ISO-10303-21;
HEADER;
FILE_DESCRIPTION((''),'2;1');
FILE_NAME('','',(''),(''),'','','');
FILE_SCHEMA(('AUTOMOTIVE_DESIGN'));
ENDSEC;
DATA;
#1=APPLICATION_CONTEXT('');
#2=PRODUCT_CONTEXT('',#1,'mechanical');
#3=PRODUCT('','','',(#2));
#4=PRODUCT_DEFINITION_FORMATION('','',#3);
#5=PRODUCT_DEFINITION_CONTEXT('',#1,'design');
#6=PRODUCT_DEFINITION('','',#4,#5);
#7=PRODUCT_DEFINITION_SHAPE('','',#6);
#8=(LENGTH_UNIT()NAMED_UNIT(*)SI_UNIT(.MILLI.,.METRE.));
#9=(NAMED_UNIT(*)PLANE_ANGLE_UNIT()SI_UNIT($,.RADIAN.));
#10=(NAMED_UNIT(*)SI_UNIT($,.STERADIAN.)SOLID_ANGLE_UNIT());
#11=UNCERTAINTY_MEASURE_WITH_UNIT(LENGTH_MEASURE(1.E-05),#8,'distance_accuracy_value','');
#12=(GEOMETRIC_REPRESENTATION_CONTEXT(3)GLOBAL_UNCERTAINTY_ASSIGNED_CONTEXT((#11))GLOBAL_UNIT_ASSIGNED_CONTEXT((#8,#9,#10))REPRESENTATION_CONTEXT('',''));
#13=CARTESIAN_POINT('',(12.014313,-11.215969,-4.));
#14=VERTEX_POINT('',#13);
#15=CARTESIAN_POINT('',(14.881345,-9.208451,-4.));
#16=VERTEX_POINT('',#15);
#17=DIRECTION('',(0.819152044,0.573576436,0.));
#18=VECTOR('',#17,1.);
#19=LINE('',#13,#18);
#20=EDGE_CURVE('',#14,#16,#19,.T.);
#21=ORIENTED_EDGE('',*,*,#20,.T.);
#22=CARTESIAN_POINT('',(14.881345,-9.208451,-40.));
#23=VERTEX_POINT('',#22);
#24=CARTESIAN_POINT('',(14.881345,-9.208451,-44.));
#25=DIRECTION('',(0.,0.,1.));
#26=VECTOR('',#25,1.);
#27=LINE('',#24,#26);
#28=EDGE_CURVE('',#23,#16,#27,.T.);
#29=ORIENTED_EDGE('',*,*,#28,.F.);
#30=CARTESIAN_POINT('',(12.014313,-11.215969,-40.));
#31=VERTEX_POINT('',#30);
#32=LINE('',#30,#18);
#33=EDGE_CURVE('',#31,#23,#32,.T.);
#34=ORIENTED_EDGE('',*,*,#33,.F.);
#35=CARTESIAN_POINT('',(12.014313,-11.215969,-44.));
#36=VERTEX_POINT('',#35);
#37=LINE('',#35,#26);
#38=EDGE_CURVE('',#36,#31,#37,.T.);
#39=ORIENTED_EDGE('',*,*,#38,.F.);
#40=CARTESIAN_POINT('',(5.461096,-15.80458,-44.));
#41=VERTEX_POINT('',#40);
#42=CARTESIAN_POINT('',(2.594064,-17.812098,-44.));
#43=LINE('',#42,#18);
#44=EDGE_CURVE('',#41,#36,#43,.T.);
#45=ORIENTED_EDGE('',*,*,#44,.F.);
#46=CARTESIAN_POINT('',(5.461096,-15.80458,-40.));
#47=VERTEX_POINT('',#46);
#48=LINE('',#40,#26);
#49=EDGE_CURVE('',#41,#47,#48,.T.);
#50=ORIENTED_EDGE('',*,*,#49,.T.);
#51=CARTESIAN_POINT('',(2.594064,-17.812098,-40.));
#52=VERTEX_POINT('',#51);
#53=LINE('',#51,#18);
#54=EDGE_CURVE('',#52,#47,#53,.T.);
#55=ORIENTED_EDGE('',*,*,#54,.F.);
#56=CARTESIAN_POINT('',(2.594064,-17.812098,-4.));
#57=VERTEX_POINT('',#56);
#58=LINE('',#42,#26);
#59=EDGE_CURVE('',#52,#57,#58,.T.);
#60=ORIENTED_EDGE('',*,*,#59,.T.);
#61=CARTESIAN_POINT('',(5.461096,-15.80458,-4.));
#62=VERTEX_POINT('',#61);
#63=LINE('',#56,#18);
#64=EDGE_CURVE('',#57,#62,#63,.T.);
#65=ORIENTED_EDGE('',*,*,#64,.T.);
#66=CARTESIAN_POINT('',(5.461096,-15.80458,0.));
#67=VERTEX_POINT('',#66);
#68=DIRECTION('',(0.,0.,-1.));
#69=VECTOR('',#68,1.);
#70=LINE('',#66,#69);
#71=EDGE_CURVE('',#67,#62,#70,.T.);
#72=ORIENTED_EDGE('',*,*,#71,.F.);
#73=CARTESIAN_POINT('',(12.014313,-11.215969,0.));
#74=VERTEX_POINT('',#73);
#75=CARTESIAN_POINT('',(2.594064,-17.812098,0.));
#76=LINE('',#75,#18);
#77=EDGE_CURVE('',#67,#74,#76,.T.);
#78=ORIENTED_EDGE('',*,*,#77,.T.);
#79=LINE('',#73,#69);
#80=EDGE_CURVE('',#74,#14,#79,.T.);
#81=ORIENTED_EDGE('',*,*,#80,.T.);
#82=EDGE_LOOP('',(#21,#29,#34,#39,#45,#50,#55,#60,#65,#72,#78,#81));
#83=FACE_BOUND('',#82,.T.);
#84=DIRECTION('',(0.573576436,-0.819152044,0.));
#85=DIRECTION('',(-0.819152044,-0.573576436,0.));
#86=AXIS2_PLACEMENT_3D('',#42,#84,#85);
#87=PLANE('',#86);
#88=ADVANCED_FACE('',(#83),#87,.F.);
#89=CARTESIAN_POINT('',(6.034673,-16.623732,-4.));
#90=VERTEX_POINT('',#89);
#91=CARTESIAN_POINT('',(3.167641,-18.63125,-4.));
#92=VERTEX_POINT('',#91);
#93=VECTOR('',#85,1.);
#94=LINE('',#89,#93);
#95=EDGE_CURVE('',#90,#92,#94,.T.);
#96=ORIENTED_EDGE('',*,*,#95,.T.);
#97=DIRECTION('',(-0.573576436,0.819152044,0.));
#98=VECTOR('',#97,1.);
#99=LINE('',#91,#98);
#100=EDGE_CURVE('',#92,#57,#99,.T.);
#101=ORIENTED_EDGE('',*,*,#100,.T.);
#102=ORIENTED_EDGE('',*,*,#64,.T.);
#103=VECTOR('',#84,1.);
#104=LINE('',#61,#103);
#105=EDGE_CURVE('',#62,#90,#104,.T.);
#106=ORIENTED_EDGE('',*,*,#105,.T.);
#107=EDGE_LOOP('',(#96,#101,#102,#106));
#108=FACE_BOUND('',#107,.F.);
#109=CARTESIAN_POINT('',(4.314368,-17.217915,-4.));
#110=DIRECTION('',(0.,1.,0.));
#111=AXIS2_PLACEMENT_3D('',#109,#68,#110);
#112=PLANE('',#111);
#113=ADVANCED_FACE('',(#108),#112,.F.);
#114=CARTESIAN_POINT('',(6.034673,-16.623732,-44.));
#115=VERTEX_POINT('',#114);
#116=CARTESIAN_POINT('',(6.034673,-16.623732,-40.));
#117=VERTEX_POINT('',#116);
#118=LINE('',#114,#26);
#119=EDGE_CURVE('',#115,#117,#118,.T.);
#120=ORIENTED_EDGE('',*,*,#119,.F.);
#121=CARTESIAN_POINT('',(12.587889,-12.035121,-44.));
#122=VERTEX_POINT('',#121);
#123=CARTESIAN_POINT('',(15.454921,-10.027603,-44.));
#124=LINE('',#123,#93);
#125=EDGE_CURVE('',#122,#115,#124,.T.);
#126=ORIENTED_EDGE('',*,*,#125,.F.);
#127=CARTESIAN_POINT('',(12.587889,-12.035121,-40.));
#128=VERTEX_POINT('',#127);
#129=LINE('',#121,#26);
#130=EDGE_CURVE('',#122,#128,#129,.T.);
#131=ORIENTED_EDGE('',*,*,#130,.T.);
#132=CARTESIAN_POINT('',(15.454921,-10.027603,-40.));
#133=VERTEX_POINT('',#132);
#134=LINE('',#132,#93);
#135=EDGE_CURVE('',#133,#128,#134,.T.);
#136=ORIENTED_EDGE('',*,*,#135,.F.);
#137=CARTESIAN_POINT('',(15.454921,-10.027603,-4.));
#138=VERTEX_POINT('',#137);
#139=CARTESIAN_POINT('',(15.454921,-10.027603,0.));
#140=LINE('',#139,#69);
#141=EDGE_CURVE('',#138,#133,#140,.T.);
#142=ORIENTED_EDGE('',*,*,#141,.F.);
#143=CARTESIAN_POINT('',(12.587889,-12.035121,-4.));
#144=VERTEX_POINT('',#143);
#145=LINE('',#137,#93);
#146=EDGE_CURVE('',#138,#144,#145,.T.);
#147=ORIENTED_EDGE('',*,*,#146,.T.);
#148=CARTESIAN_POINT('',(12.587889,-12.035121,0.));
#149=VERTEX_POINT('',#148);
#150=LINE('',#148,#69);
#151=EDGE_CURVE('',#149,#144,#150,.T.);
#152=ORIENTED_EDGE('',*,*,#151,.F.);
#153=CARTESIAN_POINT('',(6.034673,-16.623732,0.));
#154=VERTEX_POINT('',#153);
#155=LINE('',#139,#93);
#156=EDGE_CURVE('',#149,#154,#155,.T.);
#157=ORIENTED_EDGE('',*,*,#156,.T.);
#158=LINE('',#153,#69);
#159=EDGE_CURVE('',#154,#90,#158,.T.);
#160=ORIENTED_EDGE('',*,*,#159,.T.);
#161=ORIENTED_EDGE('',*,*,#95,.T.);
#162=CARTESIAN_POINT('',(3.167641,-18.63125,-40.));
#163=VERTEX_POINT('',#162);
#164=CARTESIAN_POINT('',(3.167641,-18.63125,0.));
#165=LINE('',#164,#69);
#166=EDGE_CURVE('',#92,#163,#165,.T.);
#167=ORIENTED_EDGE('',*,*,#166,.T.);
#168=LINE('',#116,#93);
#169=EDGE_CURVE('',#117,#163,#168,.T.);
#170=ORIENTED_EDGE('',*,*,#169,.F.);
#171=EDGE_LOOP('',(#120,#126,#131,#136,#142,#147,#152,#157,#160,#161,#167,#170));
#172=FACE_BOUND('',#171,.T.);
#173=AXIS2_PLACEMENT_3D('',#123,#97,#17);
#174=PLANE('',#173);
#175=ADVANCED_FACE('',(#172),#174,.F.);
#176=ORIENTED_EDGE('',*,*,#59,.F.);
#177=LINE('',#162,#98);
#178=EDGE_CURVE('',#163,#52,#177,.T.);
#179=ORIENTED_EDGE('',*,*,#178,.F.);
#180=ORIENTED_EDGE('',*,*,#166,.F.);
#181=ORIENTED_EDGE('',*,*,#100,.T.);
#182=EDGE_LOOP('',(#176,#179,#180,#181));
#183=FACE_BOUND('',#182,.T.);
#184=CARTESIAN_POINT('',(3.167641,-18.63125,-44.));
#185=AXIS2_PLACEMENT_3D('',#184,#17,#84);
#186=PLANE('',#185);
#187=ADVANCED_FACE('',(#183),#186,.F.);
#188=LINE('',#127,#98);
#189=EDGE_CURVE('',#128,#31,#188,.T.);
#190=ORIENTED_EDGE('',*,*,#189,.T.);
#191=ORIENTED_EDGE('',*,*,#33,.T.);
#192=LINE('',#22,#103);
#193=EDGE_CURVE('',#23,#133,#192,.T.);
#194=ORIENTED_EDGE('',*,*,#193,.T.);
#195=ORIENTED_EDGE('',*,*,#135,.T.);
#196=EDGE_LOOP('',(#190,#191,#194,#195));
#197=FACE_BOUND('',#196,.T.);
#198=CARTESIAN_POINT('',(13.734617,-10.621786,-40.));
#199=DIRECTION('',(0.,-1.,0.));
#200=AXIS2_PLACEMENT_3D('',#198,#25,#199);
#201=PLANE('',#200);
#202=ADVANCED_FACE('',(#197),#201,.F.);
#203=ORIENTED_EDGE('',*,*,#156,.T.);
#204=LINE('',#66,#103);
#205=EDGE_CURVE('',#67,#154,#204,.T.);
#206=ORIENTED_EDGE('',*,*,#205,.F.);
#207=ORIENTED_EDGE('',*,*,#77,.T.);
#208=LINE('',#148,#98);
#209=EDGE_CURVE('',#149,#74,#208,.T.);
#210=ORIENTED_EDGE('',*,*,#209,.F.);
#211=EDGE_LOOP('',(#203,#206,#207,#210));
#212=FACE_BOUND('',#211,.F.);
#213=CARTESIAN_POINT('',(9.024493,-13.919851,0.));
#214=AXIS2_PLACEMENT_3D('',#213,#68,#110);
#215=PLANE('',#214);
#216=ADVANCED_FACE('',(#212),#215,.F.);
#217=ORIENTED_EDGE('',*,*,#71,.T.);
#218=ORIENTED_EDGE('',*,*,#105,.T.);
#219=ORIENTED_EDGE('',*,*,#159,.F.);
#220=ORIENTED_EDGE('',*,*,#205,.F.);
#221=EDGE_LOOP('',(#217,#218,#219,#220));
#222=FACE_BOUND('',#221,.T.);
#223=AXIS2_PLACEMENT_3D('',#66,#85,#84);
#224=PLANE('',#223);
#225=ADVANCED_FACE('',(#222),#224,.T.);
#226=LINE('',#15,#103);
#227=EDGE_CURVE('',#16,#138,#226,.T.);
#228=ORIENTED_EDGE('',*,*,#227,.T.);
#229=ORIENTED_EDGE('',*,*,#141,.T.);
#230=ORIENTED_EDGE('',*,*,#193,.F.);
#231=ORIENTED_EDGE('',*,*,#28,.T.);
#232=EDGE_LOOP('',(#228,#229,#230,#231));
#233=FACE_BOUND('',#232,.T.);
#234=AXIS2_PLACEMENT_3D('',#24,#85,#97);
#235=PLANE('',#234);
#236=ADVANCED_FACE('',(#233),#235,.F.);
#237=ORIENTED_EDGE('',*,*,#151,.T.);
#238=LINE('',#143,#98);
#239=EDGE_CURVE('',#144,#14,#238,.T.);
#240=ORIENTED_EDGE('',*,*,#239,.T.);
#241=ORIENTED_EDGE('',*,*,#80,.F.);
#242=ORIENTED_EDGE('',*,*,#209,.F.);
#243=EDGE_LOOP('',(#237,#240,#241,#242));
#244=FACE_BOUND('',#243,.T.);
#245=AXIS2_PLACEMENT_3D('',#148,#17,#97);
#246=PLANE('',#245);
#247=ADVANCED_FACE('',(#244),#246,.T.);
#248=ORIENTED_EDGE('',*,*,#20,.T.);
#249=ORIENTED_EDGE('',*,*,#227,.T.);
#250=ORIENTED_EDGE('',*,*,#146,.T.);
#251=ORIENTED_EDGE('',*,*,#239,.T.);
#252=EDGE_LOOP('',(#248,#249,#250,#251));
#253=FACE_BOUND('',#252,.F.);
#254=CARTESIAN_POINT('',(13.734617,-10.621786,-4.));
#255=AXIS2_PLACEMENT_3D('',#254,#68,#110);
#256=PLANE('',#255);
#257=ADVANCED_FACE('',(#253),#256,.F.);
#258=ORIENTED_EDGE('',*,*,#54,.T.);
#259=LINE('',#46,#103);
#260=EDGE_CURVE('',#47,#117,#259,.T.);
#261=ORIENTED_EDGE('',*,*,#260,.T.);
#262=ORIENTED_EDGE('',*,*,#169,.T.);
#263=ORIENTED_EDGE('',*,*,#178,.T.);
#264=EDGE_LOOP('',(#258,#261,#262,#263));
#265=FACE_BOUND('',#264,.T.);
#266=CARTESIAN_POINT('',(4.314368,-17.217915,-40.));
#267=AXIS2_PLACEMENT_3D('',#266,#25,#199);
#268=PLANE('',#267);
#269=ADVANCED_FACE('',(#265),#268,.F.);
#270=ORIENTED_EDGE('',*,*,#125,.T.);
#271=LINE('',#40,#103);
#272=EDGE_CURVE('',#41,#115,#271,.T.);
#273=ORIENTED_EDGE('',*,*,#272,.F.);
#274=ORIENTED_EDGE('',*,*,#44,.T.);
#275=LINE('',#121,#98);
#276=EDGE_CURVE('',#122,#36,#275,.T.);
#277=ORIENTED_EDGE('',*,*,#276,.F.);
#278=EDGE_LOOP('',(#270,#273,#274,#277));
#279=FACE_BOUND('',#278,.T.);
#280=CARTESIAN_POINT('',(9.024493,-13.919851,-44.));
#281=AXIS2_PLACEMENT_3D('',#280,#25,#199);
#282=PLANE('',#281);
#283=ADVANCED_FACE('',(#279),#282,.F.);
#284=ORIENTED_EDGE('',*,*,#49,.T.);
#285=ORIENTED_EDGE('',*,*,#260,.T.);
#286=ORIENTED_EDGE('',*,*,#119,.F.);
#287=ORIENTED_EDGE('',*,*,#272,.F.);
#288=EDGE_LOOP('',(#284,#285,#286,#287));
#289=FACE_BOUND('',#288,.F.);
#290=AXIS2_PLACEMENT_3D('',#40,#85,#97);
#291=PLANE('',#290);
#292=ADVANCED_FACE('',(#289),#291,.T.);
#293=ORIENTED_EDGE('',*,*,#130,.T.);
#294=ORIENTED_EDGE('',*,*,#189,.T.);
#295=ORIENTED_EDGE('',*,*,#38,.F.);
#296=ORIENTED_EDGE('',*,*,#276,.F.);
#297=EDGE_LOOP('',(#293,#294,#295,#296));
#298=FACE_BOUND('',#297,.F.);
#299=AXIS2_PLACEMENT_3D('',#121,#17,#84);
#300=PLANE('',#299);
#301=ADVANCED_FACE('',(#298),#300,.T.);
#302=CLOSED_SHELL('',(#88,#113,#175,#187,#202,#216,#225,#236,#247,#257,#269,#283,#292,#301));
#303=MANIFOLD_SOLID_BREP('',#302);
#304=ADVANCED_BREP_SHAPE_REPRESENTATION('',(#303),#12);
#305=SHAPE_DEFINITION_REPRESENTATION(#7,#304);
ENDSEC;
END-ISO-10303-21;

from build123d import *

# Parameters (mm, degrees)
PAD008_DEPTH               = 22
POCKET008_DEPTH            = 4
BODY004021_PLACEMENT_ANGLE = 90


with BuildPart() as part:
    # Sketch014 → Pad008 (new body)
    with BuildSketch(Plane.XY):
        Polygon((9.2084513411, 14.8813448283), (10.0276033854, 15.4549212646), (18.6312499306, 3.1676406003), (17.8120978864, 2.594064164), align=None)
    pad008 = extrude(amount=-PAD008_DEPTH)

    # Mirrored: Pad008 across face of Pad008
    add(pad008.mirror(Plane(origin=(13.9198506359, 9.0244927143, -22), x_dir=(1, 0, 0), z_dir=(0, 0, -1))))

    # Sketch027 → Pocket008 (cut)
    with BuildSketch(Plane.XY):
        Polygon((9.2084513411, 14.8813448283), (10.0276033854, 15.4549212646), (12.0351209126, 12.5878891096), (11.2159688683, 12.0143126733), align=None)
        Polygon((18.6312499306, 3.1676406003), (17.8120978864, 2.594064164), (15.8045803591, 5.461096319), (16.6237324034, 6.0346727553), align=None)
    pocket008 = extrude(amount=-POCKET008_DEPTH, mode=Mode.SUBTRACT)

    # Mirrored001: Pocket008 across face of Pad008
    add(pocket008.mirror(Plane(origin=(13.9198506359, 9.0244927143, -22), x_dir=(1, 0, 0), z_dir=(0, 0, -1))), mode=Mode.SUBTRACT)


with BuildPart() as part_1:
    # Body004021 placement: moved
    add(part.part.rotate(Axis((0, 0, 0), (0, 0, -1)), BODY004021_PLACEMENT_ANGLE))


solid = part_1.part
